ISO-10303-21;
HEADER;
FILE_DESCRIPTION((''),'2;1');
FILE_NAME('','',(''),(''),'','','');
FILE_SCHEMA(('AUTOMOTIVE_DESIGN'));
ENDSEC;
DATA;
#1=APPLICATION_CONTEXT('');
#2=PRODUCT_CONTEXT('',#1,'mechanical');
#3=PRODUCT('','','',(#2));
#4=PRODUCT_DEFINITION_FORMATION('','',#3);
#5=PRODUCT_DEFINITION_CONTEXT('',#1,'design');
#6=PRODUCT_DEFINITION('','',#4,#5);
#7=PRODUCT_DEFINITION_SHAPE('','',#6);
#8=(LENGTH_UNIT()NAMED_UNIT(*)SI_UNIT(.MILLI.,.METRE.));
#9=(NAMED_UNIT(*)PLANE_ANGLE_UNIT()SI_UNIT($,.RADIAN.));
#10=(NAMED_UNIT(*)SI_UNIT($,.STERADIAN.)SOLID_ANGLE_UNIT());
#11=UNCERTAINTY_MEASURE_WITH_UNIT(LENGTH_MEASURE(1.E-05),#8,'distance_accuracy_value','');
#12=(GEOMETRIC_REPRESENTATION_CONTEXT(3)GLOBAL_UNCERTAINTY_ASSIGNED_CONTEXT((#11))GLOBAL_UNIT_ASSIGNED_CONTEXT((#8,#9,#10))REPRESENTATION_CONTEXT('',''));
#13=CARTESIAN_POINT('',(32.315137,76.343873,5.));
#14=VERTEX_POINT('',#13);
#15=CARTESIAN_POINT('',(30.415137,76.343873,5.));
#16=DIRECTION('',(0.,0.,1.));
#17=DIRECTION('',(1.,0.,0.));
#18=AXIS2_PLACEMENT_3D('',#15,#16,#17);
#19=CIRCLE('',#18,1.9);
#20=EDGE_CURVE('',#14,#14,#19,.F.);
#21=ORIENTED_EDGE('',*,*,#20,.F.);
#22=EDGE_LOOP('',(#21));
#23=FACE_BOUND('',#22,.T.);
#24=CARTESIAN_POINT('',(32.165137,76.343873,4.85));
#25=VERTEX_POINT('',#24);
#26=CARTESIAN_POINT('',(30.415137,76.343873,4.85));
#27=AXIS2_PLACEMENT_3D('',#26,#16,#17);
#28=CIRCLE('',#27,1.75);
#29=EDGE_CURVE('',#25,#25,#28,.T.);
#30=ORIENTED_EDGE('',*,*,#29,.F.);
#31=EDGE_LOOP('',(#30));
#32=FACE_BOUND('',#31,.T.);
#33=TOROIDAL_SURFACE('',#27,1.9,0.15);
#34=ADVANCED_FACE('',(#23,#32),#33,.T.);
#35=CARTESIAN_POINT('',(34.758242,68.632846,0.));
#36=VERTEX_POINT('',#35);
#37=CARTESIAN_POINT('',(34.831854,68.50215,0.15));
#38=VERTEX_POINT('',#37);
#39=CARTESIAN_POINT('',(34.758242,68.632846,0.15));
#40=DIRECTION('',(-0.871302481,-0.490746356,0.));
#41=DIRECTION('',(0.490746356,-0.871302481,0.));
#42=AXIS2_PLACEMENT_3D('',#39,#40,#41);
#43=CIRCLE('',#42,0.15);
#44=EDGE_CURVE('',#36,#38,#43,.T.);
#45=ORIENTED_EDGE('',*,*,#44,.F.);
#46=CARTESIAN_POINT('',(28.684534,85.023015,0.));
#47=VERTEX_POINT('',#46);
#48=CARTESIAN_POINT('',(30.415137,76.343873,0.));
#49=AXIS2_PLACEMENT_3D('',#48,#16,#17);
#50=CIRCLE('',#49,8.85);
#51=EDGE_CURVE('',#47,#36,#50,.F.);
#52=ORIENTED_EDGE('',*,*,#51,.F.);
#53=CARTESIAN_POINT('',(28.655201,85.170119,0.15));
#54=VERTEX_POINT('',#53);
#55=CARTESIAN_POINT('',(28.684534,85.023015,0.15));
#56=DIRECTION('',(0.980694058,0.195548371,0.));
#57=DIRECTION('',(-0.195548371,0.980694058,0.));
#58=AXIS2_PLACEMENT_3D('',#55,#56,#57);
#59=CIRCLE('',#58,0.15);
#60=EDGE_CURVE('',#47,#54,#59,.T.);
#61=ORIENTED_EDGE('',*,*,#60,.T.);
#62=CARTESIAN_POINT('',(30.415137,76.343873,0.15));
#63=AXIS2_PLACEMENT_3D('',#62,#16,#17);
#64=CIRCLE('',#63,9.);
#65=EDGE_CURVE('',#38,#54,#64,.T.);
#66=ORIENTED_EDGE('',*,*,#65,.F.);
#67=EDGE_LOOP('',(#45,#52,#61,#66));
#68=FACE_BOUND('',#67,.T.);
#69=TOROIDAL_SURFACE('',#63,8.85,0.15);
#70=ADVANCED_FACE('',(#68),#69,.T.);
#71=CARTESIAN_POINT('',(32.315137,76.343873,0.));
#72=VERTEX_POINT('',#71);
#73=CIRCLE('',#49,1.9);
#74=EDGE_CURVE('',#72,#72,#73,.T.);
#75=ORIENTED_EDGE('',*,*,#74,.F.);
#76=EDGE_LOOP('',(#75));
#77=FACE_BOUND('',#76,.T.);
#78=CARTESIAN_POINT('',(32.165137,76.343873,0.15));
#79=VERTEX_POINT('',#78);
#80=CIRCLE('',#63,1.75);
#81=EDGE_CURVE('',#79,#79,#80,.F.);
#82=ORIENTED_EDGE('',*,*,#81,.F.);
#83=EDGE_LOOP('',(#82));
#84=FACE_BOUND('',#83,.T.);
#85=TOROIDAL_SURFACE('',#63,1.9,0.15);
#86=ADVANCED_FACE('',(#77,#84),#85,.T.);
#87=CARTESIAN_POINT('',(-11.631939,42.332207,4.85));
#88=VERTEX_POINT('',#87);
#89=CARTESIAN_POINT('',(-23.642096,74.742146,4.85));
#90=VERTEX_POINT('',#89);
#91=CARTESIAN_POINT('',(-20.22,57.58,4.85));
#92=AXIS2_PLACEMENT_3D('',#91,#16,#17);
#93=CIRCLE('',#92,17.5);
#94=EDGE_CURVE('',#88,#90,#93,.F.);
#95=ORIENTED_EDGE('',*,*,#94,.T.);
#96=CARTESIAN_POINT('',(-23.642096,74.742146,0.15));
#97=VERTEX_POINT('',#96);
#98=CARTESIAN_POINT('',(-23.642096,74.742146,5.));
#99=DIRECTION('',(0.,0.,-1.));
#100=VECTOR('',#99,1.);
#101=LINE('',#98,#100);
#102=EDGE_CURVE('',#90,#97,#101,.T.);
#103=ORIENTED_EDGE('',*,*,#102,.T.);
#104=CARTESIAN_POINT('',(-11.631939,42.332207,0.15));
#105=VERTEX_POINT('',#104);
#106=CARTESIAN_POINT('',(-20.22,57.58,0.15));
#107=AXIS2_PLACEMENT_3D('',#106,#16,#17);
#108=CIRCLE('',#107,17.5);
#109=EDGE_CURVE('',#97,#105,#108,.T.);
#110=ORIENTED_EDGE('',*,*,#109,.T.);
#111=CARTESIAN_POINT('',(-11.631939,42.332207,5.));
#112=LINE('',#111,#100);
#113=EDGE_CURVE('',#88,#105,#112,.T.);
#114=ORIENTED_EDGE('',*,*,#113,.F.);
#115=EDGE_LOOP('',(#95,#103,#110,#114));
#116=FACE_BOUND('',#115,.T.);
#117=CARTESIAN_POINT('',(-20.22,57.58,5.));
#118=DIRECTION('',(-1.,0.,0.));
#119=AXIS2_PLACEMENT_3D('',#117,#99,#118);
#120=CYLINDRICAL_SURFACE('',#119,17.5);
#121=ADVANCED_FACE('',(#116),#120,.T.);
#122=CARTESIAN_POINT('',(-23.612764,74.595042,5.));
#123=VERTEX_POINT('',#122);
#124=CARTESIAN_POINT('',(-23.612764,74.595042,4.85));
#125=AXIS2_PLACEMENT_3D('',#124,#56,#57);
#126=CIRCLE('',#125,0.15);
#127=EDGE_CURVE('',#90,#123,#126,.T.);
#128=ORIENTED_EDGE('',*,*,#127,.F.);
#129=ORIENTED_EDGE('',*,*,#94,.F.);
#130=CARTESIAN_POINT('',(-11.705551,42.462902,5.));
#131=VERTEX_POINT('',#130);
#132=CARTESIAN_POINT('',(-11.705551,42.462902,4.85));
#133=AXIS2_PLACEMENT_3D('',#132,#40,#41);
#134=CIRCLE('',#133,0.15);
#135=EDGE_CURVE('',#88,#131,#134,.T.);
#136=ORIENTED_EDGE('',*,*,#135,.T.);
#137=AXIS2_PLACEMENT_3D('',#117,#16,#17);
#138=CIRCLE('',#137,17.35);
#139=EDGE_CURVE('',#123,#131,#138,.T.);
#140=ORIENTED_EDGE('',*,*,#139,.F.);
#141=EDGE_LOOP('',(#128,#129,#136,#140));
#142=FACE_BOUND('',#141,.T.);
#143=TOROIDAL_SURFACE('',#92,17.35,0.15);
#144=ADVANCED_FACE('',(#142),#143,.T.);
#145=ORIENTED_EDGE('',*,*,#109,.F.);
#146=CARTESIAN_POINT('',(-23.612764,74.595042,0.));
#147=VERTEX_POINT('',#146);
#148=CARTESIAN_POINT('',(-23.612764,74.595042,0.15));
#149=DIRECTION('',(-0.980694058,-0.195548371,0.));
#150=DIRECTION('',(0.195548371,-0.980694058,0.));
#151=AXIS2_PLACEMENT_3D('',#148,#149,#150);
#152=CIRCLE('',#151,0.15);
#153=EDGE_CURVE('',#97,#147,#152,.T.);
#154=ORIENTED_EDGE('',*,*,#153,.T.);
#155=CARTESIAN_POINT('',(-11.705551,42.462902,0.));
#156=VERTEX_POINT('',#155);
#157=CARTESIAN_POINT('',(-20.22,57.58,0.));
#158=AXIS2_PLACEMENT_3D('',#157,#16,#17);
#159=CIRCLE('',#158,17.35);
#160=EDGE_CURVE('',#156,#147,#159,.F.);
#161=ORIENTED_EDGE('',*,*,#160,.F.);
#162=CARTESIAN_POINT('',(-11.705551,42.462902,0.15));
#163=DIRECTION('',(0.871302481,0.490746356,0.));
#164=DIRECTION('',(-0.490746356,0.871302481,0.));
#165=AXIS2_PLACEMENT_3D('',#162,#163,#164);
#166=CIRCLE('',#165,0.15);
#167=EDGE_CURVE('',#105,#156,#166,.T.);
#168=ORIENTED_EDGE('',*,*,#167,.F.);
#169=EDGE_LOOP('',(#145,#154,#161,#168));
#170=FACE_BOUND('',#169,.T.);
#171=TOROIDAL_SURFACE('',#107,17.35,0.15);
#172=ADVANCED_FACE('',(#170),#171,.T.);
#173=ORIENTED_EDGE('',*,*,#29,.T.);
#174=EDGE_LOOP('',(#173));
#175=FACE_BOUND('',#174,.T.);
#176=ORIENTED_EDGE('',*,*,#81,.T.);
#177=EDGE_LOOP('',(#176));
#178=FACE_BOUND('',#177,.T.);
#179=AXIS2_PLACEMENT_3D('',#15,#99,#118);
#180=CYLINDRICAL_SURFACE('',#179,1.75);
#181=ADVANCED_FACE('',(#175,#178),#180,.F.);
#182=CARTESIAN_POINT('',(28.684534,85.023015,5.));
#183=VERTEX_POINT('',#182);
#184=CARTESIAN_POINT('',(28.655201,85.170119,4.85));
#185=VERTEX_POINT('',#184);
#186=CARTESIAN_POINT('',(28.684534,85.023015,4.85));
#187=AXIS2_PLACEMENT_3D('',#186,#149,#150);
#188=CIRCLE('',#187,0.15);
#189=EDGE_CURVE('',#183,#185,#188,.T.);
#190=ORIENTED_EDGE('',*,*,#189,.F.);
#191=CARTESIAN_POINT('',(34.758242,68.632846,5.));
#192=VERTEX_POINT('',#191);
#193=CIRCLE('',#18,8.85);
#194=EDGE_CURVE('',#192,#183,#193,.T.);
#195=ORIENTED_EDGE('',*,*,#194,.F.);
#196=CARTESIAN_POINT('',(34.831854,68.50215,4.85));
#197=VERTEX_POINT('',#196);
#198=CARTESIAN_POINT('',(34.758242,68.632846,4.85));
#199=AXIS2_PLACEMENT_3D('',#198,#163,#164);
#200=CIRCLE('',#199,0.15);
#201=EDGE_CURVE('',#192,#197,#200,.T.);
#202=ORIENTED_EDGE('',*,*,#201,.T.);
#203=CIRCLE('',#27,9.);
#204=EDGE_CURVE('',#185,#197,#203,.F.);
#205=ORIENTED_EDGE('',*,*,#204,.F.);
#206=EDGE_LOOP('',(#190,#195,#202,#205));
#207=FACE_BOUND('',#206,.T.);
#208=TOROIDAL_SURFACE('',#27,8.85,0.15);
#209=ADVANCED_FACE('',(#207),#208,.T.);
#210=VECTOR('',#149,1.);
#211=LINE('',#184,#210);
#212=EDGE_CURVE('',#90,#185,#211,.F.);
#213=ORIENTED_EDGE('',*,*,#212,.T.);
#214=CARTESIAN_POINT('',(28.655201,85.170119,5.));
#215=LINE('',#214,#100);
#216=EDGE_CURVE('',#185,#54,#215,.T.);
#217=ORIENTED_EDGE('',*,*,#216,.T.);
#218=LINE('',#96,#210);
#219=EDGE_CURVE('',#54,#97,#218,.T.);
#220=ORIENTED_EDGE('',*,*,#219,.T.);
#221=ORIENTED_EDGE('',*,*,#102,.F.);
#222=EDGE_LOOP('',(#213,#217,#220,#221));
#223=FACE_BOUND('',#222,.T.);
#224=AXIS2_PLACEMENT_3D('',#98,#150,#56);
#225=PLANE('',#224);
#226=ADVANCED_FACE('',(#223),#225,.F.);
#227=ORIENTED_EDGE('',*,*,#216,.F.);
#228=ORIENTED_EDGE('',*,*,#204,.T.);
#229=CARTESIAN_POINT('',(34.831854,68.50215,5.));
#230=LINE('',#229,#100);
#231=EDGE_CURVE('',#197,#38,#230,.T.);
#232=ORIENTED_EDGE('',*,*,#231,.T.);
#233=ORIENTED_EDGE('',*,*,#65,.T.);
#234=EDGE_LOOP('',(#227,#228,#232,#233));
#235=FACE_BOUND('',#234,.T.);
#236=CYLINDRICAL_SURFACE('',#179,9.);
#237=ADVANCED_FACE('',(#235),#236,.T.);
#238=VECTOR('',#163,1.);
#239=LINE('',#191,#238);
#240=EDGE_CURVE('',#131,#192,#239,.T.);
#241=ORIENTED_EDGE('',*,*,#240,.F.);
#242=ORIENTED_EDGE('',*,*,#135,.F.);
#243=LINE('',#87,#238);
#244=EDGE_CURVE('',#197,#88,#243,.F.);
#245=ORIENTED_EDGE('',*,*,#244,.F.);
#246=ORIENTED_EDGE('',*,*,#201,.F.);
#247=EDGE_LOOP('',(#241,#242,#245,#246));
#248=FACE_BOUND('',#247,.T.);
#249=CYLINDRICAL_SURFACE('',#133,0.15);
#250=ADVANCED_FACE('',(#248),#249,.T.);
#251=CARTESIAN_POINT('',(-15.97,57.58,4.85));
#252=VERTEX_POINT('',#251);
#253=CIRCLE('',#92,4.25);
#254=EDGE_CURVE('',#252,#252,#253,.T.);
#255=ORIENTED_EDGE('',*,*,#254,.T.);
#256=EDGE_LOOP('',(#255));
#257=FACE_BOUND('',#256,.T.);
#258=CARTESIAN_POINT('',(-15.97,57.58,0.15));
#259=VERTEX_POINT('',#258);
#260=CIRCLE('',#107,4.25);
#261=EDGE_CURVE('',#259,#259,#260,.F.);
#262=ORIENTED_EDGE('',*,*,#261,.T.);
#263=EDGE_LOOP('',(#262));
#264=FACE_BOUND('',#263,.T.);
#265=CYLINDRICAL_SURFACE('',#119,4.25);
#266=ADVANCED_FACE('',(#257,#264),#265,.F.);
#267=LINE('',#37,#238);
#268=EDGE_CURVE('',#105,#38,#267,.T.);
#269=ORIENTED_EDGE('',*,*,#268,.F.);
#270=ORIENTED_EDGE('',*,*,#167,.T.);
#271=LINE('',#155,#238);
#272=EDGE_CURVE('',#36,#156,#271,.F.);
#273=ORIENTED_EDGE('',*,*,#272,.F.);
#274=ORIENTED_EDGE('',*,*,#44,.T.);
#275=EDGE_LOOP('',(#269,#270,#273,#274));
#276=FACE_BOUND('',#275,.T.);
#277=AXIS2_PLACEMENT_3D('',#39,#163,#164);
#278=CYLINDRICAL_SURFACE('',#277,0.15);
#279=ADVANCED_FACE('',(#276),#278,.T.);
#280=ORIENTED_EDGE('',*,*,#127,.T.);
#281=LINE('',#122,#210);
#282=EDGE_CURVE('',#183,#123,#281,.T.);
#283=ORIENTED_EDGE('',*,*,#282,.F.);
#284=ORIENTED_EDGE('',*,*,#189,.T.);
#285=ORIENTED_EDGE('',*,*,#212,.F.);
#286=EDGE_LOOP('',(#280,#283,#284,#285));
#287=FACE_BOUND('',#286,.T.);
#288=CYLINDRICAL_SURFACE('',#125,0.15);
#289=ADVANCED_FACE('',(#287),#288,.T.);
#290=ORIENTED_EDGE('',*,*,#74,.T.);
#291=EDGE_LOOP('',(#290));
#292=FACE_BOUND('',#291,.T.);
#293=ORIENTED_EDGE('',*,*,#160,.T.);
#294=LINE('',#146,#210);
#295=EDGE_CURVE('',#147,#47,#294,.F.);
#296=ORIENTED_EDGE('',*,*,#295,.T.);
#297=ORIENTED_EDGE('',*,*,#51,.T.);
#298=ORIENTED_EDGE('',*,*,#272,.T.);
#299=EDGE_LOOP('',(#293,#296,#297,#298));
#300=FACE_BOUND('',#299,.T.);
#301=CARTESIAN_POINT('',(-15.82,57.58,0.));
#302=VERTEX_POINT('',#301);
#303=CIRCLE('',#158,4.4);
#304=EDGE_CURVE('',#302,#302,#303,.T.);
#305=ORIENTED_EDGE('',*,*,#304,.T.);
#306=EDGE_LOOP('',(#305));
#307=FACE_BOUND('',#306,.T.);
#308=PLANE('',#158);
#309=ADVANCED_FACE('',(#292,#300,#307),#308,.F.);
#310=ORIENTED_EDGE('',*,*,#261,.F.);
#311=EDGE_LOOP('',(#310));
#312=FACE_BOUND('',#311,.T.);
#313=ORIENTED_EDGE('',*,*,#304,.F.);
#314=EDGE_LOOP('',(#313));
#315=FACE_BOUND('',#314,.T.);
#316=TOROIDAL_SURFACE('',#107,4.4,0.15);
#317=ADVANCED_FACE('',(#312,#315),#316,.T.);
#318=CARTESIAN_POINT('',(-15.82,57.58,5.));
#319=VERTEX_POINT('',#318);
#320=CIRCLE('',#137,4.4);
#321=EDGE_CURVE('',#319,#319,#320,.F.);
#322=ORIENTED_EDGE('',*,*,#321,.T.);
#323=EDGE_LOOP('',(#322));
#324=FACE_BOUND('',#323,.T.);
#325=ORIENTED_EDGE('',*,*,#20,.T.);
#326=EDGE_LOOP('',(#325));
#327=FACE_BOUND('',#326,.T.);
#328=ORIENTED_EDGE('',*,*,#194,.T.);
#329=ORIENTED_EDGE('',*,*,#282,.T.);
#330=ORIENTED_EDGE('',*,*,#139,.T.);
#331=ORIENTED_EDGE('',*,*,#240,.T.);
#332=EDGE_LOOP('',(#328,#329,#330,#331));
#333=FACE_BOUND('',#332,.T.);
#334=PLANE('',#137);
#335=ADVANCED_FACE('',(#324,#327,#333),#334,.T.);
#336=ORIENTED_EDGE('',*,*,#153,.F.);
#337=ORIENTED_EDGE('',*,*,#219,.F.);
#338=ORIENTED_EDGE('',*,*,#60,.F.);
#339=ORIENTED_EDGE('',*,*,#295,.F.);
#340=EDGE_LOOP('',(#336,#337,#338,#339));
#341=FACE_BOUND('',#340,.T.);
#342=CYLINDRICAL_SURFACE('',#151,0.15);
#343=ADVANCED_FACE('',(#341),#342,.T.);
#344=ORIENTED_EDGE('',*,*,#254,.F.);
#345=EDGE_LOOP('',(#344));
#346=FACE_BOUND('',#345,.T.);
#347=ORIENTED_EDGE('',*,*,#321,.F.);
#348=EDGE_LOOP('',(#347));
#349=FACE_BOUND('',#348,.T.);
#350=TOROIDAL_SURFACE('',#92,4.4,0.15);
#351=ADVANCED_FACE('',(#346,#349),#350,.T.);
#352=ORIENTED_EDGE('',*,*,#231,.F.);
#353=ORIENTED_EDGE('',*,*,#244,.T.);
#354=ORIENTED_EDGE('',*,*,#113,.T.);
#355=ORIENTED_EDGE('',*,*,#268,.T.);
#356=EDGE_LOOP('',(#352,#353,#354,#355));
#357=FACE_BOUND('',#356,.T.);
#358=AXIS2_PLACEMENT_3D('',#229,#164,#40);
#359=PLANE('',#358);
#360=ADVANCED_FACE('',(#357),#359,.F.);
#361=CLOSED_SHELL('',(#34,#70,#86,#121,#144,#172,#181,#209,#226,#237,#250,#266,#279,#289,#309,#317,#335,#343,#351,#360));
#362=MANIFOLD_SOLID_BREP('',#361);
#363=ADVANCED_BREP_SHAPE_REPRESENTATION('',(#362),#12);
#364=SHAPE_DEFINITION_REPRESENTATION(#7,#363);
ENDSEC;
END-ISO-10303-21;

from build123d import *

# Parameters (mm, degrees)
SKETCH1_R           = 1.75
SKETCH1_R_2         = 4.25
BOSS_EXTRUDE1_DEPTH = 5
FILLET1_R           = 0.15


with BuildPart() as part:
    # Sketch1 → Boss-Extrude1 (new body)
    with BuildSketch(Plane.XY):
        with BuildLine():
            Line((-23.642096491, 74.742146008), (28.655201465, 85.170119277))
            ThreePointArc((28.655201465, 85.170119277), (38.854326271, 79.471184885), (34.831854011, 68.502150428))
            Line((34.831854011, 68.502150428), (-11.631938763, 42.332206579))
            ThreePointArc((-11.631938763, 42.332206579), (-36.629535075, 51.49911531), (-23.642096491, 74.742146008))
        make_face()
        with Locations((30.415136803, 76.343872758)):
            Circle(SKETCH1_R, mode=Mode.SUBTRACT)
        with Locations((-20.22, 57.58)):
            Circle(SKETCH1_R_2, mode=Mode.SUBTRACT)
    extrude(amount=BOSS_EXTRUDE1_DEPTH)

    # Fillet1
    fillet1_edges = [part.edges().sort_by_distance(p)[0] for p in [
        (28.665136803, 76.343872758, 0),
        (28.665136803, 76.343872758, 5),
        (38.854326271, 79.471184885, 5),
        (-24.47, 57.58, 0),
        (-24.47, 57.58, 5),
        (2.506552487, 79.956132643, 5),
        (-36.629535075, 51.49911531, 5),
        (2.506552487, 79.956132643, 0),
        (38.854326271, 79.471184885, 0),
        (11.599957624, 55.417178504, 0),
        (-36.629535075, 51.49911531, 0),
        (11.599957624, 55.417178504, 5),
    ]]
    fillet(fillet1_edges, radius=FILLET1_R)


solid = part.part
